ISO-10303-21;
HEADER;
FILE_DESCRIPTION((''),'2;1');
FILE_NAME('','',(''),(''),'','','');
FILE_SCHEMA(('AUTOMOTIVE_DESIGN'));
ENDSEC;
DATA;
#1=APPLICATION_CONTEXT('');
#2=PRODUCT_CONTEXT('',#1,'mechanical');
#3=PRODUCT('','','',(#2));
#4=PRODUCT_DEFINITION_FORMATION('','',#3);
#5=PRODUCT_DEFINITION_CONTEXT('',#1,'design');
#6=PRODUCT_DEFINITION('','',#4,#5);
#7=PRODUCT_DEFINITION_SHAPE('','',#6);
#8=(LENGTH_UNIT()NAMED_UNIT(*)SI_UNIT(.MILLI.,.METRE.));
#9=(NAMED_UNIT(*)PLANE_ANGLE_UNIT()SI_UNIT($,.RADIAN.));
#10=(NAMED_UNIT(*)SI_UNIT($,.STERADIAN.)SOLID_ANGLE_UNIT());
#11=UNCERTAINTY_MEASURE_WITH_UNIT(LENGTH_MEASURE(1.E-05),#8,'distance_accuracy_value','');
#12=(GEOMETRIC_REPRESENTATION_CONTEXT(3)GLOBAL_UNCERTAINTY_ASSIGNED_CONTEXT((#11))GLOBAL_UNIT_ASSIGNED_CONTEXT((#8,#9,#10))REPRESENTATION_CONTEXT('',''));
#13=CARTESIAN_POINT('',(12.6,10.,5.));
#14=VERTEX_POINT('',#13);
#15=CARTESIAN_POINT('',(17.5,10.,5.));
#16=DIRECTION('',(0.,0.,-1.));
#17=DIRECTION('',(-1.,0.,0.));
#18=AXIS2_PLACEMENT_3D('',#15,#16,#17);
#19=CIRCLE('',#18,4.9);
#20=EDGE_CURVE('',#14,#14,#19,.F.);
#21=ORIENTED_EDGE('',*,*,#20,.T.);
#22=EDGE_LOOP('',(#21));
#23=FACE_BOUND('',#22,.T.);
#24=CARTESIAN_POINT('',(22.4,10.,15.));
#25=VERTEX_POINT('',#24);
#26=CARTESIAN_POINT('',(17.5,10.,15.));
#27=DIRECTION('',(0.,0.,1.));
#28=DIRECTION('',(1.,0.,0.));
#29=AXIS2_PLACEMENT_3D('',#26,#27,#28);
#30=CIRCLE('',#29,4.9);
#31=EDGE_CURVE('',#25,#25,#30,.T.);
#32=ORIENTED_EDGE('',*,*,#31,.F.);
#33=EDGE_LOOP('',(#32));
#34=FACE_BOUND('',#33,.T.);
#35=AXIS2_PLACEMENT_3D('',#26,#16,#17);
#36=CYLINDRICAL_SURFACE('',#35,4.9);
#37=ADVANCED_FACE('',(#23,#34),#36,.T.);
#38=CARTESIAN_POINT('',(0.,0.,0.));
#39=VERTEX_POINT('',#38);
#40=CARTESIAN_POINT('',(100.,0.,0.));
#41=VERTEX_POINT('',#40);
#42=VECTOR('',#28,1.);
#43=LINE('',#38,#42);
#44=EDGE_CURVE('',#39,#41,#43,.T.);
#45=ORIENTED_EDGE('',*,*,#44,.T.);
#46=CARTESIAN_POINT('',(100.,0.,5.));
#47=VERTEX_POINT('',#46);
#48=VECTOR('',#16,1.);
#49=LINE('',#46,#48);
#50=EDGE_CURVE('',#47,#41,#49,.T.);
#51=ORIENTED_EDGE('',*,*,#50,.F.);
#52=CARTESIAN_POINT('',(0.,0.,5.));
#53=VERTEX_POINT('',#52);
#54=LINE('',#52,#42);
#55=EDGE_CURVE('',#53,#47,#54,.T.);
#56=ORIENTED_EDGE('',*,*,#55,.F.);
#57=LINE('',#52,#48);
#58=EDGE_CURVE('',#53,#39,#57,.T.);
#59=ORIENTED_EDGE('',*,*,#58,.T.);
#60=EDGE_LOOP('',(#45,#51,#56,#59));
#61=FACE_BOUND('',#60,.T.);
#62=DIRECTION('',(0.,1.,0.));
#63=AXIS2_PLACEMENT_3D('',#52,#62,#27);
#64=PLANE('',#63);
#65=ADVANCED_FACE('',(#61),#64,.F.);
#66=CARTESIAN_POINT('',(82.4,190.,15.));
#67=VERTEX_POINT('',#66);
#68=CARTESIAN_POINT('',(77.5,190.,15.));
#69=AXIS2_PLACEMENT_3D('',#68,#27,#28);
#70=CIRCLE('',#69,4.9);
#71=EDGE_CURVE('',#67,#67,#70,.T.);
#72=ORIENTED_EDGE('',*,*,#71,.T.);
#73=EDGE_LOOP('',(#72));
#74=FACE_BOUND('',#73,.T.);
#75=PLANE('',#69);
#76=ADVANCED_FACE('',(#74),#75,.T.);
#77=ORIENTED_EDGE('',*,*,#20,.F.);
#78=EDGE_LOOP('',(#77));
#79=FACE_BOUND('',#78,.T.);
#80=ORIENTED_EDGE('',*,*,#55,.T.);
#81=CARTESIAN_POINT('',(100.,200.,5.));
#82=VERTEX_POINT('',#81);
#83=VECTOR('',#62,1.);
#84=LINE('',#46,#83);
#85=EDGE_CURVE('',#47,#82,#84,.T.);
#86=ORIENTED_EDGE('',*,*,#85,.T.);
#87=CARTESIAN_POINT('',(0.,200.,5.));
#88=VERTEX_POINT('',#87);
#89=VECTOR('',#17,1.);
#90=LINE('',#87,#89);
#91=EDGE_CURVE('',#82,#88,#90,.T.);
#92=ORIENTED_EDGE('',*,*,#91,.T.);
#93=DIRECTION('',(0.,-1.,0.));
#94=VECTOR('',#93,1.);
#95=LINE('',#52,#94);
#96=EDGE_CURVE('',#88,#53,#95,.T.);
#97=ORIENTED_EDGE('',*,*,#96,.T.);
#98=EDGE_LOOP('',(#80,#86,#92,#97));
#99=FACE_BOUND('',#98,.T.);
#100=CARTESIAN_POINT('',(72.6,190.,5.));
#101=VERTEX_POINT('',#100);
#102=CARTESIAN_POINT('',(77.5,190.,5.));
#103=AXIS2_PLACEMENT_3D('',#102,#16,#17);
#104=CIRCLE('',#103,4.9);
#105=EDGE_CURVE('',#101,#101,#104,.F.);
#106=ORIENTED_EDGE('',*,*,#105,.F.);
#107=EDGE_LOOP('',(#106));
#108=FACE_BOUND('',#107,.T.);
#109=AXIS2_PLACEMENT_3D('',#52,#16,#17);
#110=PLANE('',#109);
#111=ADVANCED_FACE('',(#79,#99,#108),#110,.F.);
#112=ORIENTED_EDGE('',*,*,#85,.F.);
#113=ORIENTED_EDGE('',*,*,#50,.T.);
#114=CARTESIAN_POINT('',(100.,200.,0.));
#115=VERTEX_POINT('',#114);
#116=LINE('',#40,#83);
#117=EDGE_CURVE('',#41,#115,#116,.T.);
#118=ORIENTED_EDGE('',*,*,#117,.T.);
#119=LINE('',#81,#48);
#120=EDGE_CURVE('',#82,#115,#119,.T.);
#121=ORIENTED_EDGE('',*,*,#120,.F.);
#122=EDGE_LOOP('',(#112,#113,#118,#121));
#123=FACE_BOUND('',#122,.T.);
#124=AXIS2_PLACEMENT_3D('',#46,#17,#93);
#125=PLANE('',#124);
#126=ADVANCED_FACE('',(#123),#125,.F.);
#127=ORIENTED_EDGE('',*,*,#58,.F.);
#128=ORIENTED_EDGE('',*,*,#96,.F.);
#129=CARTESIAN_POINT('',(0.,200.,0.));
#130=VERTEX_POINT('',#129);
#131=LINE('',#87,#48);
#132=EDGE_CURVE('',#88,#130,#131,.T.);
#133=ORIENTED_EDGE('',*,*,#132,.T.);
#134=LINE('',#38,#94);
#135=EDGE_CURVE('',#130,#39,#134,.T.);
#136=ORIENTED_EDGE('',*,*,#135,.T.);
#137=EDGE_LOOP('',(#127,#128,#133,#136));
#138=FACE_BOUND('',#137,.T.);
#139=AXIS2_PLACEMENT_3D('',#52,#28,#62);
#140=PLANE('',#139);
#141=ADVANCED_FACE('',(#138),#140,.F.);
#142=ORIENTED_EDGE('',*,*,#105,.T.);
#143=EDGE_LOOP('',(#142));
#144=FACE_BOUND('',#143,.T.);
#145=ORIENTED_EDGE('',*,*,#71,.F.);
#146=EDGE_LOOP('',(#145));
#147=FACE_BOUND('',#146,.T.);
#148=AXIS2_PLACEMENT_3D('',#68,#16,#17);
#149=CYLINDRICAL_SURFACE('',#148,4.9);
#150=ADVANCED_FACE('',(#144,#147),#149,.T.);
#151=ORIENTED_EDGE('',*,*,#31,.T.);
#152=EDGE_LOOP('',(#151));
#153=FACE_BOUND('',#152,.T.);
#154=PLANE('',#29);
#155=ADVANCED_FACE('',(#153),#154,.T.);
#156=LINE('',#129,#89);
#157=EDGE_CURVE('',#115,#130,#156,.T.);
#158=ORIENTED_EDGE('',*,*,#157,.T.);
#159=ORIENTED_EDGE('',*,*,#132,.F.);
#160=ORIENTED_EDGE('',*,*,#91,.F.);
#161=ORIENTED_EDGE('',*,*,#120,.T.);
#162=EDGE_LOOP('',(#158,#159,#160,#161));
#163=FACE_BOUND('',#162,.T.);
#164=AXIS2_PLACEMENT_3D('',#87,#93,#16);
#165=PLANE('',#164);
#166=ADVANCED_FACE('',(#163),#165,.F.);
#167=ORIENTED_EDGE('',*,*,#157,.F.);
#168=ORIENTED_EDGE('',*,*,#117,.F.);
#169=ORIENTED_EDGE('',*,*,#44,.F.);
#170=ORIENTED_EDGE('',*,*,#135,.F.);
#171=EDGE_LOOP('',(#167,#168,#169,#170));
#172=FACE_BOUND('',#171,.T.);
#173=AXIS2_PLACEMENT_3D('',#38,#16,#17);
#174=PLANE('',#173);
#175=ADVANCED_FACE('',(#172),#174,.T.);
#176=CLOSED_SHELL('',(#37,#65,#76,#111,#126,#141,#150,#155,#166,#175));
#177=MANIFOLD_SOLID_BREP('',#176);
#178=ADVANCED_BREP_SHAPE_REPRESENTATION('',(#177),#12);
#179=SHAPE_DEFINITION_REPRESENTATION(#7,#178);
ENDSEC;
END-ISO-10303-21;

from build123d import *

# Parameters (mm, degrees)
SKETCH1_W           = 100
SKETCH1_H           = 200
BOSS_EXTRUDE1_DEPTH = 5
SKETCH2_R           = 4.9
BOSS_EXTRUDE2_DEPTH = 10


with BuildPart() as part:
    # Sketch1 → Boss-Extrude1 (new body)
    with BuildSketch(Plane.XY):
        with Locations((50, 100)):
            Rectangle(SKETCH1_W, SKETCH1_H)
    extrude(amount=BOSS_EXTRUDE1_DEPTH)

    # Sketch2 → Boss-Extrude2 (add)
    with BuildSketch(Plane.XY.offset(5)):
        with Locations(Location((17.5, 10, 0), (0, 0, 180))):
            Circle(SKETCH2_R)
        with Locations(Location((77.5, 190, 0), (0, 0, 180))):
            Circle(SKETCH2_R)
    extrude(amount=BOSS_EXTRUDE2_DEPTH)


solid = part.part
